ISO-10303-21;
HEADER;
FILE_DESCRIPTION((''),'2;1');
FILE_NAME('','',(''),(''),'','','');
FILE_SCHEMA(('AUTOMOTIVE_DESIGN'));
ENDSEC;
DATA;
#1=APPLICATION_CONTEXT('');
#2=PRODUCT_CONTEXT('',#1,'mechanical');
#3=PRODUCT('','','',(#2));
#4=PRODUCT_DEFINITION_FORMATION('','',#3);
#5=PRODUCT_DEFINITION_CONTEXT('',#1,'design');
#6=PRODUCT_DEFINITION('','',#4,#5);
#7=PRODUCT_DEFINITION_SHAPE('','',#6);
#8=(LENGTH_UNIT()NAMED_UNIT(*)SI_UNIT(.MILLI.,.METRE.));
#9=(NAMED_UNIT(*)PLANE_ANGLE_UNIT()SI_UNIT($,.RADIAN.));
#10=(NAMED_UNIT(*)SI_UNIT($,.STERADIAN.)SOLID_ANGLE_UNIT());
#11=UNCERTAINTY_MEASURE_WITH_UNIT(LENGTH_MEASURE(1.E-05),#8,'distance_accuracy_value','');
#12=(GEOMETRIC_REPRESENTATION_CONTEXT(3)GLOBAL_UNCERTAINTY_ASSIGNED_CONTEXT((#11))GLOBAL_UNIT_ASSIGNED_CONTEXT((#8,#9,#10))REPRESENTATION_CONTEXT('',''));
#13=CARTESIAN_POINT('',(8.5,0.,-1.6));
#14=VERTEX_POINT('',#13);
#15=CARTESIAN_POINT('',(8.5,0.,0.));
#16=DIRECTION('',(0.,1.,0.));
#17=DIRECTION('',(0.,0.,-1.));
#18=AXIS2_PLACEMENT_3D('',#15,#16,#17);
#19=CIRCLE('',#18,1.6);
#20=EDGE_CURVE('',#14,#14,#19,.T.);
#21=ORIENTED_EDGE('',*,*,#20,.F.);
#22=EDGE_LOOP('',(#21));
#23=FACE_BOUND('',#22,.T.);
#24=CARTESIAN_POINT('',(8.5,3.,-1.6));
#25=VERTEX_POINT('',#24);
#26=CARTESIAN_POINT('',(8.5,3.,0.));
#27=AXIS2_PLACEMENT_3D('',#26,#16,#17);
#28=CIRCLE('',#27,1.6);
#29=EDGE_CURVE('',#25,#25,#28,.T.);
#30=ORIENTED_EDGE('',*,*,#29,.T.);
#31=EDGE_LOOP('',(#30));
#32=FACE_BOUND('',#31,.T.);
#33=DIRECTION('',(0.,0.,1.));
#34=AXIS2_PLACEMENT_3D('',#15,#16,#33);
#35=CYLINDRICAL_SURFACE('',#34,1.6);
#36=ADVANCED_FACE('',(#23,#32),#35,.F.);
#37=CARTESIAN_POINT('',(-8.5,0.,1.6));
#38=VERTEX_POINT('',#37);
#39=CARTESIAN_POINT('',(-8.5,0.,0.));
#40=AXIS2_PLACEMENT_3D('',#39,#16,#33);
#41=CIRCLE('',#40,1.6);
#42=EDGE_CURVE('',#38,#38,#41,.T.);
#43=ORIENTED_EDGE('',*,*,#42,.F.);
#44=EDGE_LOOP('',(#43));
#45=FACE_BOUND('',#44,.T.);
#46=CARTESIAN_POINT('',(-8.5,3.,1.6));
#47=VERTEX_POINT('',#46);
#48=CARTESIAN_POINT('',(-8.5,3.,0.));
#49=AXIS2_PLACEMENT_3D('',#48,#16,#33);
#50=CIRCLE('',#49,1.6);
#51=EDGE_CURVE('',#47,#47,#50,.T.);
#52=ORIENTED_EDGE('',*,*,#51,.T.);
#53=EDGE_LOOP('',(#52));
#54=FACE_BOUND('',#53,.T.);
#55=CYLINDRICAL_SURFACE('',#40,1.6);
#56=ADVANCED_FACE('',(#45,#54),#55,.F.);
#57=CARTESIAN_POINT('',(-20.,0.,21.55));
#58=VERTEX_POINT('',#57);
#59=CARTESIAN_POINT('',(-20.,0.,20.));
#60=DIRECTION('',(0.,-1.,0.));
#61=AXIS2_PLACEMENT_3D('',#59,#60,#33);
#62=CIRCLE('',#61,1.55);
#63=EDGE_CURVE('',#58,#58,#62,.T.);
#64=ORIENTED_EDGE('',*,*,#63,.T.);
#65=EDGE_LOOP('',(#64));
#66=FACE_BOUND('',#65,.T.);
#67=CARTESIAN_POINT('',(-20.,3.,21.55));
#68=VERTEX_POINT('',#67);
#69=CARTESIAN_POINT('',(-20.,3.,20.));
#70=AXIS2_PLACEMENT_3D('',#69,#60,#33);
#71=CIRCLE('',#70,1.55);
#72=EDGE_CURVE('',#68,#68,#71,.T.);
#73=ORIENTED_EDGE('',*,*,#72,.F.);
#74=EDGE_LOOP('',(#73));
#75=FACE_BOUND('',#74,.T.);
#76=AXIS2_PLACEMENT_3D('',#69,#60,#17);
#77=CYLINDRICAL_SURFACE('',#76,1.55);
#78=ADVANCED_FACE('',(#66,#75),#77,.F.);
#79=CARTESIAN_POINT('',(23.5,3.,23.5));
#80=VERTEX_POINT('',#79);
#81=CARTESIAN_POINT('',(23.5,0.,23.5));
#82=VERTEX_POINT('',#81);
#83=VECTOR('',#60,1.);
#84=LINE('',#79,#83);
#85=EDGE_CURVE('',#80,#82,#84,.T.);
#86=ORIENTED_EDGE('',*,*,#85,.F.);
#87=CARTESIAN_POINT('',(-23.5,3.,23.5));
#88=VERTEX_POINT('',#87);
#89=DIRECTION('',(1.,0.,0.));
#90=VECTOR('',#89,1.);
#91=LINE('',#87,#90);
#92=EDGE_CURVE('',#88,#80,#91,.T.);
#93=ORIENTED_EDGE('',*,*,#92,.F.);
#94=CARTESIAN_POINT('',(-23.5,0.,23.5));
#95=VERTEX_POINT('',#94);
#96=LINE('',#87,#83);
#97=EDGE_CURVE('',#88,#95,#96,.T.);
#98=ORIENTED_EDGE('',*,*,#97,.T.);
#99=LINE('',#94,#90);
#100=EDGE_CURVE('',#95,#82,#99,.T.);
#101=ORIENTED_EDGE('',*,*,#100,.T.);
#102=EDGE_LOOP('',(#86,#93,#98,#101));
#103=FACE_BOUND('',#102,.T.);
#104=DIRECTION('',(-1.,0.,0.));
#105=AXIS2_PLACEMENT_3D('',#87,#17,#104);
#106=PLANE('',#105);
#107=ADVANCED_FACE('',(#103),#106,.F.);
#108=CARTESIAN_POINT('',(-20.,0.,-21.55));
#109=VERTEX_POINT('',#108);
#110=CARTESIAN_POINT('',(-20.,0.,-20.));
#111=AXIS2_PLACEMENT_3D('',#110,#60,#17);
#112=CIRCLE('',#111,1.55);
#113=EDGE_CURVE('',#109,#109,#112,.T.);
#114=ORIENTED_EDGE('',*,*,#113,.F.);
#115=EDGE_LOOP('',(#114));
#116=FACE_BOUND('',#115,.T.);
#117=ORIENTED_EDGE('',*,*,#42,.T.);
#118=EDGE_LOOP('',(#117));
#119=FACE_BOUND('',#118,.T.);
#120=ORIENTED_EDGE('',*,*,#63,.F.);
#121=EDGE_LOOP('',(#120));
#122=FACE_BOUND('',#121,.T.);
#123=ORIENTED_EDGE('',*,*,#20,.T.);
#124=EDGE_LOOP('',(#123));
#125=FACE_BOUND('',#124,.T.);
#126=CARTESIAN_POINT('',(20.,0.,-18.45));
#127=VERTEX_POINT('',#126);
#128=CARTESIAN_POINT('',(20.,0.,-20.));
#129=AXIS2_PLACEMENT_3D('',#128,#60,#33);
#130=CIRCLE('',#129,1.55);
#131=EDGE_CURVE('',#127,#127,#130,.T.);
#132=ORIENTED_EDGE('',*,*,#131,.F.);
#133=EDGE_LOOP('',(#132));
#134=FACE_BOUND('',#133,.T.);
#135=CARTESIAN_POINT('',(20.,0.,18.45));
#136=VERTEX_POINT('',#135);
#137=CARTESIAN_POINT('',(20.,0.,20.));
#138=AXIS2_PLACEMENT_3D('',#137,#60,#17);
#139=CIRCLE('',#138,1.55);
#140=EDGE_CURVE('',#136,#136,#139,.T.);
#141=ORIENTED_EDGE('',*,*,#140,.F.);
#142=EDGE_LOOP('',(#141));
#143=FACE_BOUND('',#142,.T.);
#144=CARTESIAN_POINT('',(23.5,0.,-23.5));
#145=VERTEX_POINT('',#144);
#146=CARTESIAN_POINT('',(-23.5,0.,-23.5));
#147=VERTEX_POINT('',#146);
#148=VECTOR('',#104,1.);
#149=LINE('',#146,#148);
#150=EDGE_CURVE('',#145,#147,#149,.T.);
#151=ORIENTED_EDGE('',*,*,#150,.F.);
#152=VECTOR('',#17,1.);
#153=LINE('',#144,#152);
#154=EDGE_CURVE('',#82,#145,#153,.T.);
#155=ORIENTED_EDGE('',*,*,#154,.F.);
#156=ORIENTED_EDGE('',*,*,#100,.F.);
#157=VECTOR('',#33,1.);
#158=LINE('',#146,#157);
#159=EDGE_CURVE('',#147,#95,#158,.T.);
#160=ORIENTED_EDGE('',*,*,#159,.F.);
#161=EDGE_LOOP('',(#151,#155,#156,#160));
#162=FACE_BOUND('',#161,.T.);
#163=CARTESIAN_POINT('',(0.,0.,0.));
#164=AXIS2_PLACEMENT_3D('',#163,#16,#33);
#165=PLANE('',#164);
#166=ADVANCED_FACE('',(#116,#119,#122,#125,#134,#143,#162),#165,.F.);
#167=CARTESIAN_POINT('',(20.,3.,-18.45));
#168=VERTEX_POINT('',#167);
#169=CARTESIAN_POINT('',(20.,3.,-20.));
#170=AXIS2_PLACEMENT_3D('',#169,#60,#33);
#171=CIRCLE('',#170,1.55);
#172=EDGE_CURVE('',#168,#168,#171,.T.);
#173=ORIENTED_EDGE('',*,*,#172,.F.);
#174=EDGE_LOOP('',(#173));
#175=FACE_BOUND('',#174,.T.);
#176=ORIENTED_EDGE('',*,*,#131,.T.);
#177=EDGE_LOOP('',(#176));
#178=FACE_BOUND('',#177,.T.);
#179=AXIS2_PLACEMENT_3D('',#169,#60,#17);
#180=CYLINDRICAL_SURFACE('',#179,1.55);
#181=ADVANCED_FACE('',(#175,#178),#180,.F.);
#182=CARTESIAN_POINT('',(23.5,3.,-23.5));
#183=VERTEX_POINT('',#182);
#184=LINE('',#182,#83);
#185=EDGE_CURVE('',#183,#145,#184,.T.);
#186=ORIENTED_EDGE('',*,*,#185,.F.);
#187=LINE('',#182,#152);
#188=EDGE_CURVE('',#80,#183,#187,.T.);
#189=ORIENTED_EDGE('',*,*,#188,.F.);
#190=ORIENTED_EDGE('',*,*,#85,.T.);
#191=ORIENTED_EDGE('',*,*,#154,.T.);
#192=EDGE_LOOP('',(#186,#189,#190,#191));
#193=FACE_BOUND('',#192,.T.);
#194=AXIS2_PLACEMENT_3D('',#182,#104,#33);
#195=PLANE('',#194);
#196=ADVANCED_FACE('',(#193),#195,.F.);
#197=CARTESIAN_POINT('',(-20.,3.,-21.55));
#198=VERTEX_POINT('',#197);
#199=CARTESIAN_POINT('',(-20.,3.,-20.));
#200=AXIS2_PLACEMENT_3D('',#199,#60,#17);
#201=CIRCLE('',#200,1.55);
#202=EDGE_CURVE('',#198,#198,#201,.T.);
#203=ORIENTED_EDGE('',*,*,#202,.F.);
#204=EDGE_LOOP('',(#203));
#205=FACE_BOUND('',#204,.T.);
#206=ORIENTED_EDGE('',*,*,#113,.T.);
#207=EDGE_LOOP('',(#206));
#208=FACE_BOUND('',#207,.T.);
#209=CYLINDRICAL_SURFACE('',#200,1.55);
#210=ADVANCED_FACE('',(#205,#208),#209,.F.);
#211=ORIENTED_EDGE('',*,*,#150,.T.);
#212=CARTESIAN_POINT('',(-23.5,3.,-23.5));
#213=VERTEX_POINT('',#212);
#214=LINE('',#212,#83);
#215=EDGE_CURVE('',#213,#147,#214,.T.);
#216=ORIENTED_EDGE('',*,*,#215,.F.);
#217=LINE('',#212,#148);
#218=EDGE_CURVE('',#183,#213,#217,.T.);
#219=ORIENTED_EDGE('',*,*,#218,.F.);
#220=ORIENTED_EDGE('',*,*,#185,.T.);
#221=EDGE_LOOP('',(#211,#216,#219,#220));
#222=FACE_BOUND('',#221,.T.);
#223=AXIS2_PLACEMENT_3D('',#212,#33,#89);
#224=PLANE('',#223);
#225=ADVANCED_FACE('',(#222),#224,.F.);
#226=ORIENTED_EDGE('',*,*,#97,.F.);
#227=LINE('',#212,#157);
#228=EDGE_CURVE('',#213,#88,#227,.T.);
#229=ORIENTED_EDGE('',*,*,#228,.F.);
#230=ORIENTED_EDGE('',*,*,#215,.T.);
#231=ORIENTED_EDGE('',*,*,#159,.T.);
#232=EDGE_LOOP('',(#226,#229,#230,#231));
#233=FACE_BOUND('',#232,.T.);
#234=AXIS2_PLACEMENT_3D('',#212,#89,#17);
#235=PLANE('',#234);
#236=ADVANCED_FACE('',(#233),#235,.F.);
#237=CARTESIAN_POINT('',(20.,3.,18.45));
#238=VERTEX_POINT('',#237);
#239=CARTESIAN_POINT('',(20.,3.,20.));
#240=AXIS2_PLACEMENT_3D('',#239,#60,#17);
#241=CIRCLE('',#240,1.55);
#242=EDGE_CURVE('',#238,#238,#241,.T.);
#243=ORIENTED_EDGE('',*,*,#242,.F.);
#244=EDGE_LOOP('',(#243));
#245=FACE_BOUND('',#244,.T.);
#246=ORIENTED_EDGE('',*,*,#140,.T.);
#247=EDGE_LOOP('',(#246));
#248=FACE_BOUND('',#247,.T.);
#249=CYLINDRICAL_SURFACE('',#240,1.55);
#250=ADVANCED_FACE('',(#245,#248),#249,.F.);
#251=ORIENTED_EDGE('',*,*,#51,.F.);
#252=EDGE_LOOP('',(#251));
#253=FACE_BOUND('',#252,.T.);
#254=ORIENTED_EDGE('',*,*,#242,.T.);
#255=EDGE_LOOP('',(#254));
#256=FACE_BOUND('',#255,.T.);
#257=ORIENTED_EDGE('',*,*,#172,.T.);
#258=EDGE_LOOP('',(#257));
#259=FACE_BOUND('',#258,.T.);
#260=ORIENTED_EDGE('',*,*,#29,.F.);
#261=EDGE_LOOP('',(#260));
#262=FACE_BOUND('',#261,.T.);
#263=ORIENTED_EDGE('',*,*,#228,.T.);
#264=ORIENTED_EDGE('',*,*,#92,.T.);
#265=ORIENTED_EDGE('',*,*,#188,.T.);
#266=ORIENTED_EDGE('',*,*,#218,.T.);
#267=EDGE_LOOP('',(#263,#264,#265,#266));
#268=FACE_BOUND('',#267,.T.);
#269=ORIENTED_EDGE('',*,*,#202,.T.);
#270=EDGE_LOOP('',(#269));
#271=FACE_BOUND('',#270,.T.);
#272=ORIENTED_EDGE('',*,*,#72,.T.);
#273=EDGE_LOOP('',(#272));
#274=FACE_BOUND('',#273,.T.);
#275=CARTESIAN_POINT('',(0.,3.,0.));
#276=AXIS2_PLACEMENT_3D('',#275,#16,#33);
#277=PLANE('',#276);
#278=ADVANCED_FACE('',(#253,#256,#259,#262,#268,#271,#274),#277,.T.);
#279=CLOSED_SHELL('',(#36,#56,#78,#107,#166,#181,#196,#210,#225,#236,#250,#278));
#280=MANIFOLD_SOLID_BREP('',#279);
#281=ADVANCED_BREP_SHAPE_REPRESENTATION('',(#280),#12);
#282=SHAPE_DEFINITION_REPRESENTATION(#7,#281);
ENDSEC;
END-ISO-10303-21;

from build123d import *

# Parameters (mm, degrees)
SKETCH_1_W          = 47
SKETCH_1_H          = 47
EXTRUDE_1_DEPTH     = 3
SKETCH_3_R          = 1.55
CUT_EXTRUDE_2_DEPTH = 3
SKETCH_4_R          = 1.6
CUT_EXTRUDE_3_DEPTH = 3


with BuildPart() as part:
    # 草图1 → 凸台-拉伸1 (new body)
    with BuildSketch(Plane(origin=(0, 0, 0), x_dir=(1, 0, 0), z_dir=(0, 1, 0))):
        Rectangle(SKETCH_1_W, SKETCH_1_H)
    extrude(amount=EXTRUDE_1_DEPTH)

    # 草图3 → 切除-拉伸2 (cut)
    with BuildSketch(Plane.XZ):
        with Locations(Location((20, 20, 0), (0, 0, 270))):
            Circle(SKETCH_3_R)
        with Locations(Location((-20, 20, 0), (0, 0, 90))):
            Circle(SKETCH_3_R)
        with Locations(Location((20, -20, 0), (0, 0, 90))):
            Circle(SKETCH_3_R)
        with Locations(Location((-20, -20, 0), (0, 0, 270))):
            Circle(SKETCH_3_R)
    extrude(amount=-CUT_EXTRUDE_2_DEPTH, mode=Mode.SUBTRACT)

    # 草图4 → 切除-拉伸3 (cut)
    with BuildSketch(Plane(origin=(0, 3, 0), x_dir=(1, 0, 0), z_dir=(0, 1, 0))):
        with Locations(Location((-8.5, 0, 0), (0, 0, 270))):
            Circle(SKETCH_4_R)
        with Locations(Location((8.5, 0, 0), (0, 0, 90))):
            Circle(SKETCH_4_R)
    extrude(amount=-CUT_EXTRUDE_3_DEPTH, mode=Mode.SUBTRACT)


solid = part.part
